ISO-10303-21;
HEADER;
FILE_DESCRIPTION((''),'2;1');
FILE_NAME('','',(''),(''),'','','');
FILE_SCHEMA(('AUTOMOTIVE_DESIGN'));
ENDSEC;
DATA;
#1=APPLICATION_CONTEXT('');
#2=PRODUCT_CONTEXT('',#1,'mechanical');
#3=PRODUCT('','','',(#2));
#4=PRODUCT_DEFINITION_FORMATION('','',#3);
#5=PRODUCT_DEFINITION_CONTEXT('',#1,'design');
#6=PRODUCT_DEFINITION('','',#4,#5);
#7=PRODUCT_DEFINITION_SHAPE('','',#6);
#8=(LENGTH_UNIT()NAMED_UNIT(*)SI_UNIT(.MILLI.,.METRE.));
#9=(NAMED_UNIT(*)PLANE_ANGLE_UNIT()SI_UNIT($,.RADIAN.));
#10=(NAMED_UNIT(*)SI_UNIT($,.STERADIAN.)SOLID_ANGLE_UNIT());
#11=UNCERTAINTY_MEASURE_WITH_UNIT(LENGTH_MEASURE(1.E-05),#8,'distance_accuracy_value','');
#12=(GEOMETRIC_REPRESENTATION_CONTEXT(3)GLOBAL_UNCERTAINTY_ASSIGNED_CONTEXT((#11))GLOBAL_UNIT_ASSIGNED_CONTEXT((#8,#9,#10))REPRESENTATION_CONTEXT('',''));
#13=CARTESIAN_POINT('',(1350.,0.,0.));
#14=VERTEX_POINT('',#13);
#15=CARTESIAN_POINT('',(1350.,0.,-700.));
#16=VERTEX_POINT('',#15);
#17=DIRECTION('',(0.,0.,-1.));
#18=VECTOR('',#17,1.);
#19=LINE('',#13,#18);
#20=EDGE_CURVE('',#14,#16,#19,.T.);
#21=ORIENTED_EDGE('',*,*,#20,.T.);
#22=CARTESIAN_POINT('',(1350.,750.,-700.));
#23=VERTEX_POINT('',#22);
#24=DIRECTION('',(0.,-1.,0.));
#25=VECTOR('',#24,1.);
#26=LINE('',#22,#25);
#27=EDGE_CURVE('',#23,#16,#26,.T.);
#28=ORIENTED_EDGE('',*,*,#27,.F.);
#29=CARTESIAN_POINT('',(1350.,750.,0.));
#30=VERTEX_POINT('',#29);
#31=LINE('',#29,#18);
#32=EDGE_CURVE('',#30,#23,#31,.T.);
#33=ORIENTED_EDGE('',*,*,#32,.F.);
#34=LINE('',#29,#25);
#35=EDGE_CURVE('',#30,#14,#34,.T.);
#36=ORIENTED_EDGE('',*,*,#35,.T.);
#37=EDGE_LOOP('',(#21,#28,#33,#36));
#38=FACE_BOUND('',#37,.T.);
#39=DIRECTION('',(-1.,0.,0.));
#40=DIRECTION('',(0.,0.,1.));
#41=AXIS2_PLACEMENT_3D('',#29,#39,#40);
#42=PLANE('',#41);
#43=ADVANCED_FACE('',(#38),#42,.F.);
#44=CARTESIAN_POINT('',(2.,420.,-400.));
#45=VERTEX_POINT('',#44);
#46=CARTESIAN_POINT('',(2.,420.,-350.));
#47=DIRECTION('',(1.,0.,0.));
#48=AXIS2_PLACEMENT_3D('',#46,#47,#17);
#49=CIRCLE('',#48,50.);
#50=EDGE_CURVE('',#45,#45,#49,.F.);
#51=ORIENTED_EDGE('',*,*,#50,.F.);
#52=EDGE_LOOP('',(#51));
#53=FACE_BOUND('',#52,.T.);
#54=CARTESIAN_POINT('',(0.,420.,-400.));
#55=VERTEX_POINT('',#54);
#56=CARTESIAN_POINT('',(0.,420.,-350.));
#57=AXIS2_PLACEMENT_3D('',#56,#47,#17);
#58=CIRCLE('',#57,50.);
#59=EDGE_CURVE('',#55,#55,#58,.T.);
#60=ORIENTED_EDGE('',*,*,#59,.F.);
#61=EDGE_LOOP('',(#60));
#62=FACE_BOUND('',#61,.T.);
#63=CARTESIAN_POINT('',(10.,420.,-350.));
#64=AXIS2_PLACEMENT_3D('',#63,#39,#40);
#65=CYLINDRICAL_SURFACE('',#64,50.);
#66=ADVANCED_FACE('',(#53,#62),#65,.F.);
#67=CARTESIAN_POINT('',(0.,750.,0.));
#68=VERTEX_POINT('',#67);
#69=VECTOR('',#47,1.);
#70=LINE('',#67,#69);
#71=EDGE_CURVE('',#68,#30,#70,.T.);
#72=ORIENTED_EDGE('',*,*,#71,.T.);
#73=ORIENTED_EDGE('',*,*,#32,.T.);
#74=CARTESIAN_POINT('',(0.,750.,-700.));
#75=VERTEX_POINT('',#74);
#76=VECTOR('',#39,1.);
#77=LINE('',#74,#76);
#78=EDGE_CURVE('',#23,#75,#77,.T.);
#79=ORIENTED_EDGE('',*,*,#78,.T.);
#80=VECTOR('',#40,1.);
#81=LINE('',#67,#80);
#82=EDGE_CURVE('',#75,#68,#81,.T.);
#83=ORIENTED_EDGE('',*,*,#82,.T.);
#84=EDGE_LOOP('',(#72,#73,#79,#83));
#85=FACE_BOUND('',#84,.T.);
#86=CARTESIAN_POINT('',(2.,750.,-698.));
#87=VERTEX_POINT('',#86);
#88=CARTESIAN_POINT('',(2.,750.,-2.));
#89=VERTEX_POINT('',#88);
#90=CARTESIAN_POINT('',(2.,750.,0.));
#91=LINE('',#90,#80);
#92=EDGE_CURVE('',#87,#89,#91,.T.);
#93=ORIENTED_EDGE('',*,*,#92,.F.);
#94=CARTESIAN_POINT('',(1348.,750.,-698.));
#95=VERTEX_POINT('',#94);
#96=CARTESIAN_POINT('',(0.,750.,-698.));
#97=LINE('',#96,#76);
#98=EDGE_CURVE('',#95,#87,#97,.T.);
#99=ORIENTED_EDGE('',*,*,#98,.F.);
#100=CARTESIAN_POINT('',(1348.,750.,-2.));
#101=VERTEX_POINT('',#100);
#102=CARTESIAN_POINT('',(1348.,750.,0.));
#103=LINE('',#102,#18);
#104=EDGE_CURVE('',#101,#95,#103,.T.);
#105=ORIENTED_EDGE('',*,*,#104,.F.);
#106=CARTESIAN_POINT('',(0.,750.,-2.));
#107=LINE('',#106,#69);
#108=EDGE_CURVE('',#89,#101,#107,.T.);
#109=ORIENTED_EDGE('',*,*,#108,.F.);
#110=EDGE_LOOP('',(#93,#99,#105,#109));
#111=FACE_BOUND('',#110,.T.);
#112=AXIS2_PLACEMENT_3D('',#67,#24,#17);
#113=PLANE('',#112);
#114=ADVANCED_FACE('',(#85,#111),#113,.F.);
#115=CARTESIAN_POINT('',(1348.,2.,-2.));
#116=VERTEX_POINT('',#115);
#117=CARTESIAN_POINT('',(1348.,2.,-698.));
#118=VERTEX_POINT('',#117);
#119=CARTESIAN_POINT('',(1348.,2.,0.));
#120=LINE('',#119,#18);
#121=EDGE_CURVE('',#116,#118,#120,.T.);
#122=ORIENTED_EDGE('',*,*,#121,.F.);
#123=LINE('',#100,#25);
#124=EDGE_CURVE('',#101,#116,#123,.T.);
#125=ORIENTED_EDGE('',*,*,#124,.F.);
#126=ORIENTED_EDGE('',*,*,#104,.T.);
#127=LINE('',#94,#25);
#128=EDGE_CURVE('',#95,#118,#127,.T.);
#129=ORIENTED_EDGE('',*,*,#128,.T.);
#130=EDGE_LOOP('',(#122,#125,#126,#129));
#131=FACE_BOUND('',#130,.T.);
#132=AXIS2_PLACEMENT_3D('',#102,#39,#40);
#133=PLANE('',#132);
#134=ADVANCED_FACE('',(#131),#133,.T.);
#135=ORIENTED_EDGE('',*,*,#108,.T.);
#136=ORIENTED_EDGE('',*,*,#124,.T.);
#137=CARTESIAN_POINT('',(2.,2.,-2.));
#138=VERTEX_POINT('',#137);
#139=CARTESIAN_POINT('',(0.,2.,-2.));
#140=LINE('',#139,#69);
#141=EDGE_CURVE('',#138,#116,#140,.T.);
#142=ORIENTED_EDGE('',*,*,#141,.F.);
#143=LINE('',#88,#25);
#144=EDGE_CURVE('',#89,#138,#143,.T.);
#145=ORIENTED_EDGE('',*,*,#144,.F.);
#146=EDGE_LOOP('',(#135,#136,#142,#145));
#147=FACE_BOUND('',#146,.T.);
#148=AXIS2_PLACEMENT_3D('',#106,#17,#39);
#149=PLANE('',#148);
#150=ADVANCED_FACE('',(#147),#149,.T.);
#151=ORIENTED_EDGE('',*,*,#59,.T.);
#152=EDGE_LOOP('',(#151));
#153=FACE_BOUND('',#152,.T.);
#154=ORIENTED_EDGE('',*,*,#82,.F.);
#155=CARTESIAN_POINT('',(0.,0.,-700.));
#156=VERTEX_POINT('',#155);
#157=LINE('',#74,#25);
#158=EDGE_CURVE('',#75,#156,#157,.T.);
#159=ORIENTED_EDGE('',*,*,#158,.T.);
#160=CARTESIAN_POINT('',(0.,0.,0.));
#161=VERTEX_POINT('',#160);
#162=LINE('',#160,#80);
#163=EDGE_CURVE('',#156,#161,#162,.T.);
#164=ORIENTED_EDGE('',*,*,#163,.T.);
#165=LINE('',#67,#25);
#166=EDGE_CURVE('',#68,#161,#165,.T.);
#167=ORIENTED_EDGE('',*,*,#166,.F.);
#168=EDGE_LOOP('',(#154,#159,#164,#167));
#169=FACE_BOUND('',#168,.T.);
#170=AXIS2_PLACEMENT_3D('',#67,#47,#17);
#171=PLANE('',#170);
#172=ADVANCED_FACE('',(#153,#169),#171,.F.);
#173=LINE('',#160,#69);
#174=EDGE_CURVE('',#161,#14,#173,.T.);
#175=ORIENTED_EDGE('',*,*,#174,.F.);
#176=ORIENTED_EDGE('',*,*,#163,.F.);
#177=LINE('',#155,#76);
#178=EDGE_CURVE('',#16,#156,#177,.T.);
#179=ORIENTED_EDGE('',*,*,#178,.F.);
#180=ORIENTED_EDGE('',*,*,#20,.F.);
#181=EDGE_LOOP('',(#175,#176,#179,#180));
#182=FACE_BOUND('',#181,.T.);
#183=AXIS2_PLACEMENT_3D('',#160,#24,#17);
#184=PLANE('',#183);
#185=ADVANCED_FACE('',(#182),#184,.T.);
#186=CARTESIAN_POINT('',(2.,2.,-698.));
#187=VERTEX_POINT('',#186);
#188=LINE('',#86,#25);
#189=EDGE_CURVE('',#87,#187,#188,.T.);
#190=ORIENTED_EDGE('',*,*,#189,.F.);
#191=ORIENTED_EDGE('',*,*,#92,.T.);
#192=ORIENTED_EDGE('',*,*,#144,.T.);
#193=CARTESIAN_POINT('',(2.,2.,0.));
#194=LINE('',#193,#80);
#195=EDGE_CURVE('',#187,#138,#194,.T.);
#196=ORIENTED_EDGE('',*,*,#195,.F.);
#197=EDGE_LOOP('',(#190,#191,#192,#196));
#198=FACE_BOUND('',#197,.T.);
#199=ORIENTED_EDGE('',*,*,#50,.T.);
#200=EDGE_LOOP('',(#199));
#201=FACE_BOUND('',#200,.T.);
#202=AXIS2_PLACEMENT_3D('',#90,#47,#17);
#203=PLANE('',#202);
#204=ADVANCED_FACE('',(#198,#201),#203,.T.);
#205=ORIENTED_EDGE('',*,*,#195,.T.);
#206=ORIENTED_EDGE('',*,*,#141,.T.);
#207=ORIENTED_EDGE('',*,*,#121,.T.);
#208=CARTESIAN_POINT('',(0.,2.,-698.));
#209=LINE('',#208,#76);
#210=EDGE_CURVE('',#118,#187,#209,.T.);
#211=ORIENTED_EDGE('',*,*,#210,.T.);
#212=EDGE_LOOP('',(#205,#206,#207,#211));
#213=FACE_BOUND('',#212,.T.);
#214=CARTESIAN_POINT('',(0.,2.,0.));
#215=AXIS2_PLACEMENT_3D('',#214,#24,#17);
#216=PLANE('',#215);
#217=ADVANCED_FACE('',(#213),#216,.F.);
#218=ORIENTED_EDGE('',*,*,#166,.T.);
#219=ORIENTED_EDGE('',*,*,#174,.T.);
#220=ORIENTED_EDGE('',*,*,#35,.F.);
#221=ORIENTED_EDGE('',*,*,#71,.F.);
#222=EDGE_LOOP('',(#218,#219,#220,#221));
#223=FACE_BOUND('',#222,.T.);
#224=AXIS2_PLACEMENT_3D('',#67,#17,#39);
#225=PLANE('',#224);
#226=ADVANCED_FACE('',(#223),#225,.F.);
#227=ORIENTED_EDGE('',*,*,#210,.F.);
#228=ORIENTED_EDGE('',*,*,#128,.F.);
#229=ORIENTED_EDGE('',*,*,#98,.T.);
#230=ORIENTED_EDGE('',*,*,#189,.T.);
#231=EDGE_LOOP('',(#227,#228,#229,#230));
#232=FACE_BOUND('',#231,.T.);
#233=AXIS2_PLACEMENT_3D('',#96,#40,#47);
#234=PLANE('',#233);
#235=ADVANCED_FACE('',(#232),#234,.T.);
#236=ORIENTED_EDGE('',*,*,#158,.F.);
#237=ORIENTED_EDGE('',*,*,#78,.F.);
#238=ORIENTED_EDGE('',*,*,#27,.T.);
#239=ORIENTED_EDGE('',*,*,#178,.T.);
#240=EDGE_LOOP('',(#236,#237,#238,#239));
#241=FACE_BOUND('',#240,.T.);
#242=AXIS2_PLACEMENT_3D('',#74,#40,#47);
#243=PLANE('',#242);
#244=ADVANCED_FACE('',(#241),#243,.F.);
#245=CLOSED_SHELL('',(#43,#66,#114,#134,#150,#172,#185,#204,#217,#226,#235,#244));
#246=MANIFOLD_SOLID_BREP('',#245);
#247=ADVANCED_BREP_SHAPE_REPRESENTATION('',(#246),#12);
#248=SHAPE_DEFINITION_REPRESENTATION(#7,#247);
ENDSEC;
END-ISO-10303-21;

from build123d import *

# Parameters (mm, degrees)
MASTER_FOOTPRINT_W    = 1350
MASTER_FOOTPRINT_H    = 700
BATH_BASE_PLATE_DEPTH = 750
BATH_SHELL_2MM_T      = -2
SKETCH_1_R            = 50
INLET_D100_CUT_DEPTH  = 10


with BuildPart() as part:
    # MASTER_FOOTPRINT → BATH_BASE_PLATE (new body)
    with BuildSketch(Plane(origin=(0, 0, 0), x_dir=(1, 0, 0), z_dir=(0, 1, 0))):
        with Locations((675, 350)):
            Rectangle(MASTER_FOOTPRINT_W, MASTER_FOOTPRINT_H)
    extrude(amount=BATH_BASE_PLATE_DEPTH)

    # BATH_SHELL_2MM
    bath_shell_2mm_openings = [part.faces().sort_by_distance(p)[0] for p in [
        (675, 750, -350),
    ]]
    offset(amount=BATH_SHELL_2MM_T, openings=bath_shell_2mm_openings, kind=Kind.INTERSECTION)

    # Эскиз1 → INLET_D100_CUT (cut)
    with BuildSketch(Plane(origin=(0, 0, 0), x_dir=(0, 0, -1), z_dir=(1, 0, 0))):
        with Locations((350, 420)):
            Circle(SKETCH_1_R)
    extrude(amount=INLET_D100_CUT_DEPTH, mode=Mode.SUBTRACT)


solid = part.part
